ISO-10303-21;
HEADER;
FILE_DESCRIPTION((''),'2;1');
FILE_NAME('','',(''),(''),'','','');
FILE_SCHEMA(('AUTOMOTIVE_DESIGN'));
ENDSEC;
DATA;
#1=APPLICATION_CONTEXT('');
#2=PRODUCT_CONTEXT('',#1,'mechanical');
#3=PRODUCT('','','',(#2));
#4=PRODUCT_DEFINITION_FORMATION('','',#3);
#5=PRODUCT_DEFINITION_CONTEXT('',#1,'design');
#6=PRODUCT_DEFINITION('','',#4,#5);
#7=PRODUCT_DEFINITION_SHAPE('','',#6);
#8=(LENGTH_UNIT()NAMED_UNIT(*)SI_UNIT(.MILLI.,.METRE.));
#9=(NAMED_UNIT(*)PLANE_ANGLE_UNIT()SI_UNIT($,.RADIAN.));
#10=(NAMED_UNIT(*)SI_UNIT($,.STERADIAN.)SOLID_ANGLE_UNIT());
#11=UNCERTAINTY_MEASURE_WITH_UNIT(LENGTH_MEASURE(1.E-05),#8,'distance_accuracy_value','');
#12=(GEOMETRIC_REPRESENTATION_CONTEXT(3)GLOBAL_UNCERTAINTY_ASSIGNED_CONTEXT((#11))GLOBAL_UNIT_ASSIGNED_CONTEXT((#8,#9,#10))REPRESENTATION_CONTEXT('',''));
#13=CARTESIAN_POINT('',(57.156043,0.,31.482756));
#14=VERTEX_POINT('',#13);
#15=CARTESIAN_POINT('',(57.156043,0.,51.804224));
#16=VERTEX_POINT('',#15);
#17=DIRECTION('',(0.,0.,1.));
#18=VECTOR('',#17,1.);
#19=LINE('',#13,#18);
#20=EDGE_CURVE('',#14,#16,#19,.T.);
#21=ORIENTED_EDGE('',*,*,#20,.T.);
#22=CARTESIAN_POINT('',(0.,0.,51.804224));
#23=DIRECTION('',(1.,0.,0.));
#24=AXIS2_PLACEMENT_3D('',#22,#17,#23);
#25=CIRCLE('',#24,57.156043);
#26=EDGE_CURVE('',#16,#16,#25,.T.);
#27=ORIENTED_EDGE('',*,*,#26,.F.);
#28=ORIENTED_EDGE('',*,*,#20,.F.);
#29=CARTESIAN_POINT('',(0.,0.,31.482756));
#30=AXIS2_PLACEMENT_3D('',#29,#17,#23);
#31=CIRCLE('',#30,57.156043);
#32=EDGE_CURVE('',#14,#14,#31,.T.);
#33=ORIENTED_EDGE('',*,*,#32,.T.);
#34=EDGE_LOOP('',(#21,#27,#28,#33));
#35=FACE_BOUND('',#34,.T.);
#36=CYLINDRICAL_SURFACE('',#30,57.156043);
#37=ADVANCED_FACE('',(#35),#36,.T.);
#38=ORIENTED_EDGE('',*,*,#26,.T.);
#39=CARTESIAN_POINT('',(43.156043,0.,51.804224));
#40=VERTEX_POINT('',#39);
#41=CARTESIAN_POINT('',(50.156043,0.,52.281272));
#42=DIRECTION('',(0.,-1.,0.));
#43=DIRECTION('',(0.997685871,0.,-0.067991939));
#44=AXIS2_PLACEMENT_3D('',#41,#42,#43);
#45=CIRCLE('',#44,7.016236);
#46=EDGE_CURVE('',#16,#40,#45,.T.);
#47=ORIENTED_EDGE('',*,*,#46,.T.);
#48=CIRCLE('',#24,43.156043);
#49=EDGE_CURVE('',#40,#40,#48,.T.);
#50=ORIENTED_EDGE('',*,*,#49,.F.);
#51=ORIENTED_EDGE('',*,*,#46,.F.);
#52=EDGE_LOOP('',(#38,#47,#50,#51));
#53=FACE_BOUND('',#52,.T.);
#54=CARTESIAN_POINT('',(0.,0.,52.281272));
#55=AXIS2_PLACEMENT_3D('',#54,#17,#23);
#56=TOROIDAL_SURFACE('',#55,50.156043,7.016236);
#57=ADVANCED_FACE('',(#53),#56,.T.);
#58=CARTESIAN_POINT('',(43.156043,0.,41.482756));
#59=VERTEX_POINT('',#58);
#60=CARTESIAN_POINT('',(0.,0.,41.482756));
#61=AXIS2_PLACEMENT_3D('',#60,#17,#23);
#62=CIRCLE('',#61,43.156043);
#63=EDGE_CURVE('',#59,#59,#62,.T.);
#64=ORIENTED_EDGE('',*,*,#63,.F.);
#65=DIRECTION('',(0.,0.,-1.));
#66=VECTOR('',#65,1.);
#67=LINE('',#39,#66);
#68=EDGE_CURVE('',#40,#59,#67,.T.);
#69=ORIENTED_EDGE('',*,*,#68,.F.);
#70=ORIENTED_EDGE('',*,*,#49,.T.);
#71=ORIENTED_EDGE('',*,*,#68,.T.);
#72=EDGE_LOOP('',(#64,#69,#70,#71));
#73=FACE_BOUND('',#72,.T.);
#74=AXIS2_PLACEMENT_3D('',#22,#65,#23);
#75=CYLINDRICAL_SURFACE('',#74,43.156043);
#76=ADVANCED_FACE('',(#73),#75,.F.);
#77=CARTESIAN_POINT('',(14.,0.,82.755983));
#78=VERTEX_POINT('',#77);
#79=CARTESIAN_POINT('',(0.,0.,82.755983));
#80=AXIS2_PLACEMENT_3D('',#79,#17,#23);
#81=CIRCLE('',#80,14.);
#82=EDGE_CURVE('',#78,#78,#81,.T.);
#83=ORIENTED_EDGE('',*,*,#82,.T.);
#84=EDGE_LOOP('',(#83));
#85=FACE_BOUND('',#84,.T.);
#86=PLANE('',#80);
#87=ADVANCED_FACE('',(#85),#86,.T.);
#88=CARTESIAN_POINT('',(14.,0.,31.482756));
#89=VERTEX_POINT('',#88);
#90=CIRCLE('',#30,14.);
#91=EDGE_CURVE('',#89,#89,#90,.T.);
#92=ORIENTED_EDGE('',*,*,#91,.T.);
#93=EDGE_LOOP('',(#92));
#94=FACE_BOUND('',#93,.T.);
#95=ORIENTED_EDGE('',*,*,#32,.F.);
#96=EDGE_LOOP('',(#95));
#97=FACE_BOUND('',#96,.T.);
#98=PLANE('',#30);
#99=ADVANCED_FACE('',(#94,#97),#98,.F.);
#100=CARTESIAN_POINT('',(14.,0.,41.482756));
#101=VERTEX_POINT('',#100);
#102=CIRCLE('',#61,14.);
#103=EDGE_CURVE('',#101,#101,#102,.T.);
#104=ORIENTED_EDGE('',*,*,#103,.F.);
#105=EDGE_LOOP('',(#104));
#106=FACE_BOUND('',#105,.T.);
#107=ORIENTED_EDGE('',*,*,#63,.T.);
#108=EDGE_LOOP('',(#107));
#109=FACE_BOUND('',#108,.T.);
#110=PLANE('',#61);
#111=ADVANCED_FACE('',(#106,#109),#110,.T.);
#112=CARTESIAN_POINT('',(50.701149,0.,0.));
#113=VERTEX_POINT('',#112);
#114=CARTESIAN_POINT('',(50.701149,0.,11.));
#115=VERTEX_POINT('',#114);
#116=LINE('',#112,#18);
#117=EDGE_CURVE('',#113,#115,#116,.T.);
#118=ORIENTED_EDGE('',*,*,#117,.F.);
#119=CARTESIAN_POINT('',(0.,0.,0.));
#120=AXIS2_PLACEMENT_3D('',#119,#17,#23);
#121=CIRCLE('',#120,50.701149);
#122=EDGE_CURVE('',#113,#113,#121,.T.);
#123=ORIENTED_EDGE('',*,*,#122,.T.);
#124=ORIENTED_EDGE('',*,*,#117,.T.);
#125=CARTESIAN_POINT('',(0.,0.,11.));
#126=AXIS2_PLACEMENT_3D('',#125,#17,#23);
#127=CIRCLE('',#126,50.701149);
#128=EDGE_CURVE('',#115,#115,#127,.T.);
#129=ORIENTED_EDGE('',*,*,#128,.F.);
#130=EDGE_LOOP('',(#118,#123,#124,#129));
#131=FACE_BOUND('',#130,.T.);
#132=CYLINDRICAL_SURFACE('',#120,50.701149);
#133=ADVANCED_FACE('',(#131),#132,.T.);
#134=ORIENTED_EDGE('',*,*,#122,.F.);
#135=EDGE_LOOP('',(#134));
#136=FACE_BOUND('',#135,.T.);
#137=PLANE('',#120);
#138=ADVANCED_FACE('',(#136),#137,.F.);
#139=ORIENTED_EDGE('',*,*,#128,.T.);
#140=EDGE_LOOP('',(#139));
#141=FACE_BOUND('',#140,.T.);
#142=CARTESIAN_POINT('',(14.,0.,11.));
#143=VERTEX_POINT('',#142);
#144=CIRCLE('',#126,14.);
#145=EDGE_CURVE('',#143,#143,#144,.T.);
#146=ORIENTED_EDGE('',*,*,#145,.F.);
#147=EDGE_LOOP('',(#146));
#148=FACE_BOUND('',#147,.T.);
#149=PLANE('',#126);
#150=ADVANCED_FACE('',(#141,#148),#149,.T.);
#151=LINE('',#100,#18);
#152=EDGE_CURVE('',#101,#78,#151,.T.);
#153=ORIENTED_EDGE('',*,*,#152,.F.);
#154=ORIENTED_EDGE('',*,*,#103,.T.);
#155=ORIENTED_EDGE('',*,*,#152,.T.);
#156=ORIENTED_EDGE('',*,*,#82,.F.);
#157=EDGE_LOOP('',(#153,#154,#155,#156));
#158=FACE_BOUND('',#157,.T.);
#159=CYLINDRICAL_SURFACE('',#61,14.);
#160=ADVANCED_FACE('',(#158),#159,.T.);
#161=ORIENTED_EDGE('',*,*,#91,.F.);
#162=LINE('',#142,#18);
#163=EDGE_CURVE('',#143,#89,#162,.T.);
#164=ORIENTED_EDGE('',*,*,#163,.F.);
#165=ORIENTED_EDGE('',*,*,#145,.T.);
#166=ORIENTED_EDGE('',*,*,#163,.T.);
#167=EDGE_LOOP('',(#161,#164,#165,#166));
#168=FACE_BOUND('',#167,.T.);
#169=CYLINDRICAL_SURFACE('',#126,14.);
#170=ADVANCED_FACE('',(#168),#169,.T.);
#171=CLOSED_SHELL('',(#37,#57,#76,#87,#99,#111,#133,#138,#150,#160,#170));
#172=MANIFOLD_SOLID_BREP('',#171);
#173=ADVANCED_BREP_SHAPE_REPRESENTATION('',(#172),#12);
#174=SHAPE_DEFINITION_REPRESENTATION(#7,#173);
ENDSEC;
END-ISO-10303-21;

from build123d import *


with BuildPart() as f1:
    # F0 (on Front) → F1 (revolve)
    with BuildSketch(Plane.XZ):
        with BuildLine():
            Line((0, 11), (0, 0))
            Line((0, 0), (50.701149, 0))
            Line((50.701149, 0), (50.701149, 11))
            Line((50.701149, 11), (14, 11))
            Line((14, 11), (14, 31.482756))
            Line((14, 31.482756), (57.156043, 31.482756))
            Line((57.156043, 31.482756), (57.156043, 41.482756))
            Line((57.156043, 41.482756), (57.156043, 51.804224))
            ThreePointArc((57.156043, 51.804224), (50.156043, 59.297508), (43.156043, 51.804224))
            Line((43.156043, 51.804224), (43.156043, 41.482756))
            Line((43.156043, 41.482756), (14, 41.482756))
            Line((14, 41.482756), (14, 51.804224))
            Line((14, 51.804224), (14, 53.735629))
            Line((14, 53.735629), (14, 82.755983))
            Line((14, 82.755983), (0, 82.755983))
            Line((0, 82.755983), (0, 69.811666))
            Line((0, 69.811666), (0, 53.735629))
            Line((0, 53.735629), (0, 11))
        make_face()
    revolve(axis=Axis((0, 0, 32.367814), (0, 0, 1)))


solid = f1.part
